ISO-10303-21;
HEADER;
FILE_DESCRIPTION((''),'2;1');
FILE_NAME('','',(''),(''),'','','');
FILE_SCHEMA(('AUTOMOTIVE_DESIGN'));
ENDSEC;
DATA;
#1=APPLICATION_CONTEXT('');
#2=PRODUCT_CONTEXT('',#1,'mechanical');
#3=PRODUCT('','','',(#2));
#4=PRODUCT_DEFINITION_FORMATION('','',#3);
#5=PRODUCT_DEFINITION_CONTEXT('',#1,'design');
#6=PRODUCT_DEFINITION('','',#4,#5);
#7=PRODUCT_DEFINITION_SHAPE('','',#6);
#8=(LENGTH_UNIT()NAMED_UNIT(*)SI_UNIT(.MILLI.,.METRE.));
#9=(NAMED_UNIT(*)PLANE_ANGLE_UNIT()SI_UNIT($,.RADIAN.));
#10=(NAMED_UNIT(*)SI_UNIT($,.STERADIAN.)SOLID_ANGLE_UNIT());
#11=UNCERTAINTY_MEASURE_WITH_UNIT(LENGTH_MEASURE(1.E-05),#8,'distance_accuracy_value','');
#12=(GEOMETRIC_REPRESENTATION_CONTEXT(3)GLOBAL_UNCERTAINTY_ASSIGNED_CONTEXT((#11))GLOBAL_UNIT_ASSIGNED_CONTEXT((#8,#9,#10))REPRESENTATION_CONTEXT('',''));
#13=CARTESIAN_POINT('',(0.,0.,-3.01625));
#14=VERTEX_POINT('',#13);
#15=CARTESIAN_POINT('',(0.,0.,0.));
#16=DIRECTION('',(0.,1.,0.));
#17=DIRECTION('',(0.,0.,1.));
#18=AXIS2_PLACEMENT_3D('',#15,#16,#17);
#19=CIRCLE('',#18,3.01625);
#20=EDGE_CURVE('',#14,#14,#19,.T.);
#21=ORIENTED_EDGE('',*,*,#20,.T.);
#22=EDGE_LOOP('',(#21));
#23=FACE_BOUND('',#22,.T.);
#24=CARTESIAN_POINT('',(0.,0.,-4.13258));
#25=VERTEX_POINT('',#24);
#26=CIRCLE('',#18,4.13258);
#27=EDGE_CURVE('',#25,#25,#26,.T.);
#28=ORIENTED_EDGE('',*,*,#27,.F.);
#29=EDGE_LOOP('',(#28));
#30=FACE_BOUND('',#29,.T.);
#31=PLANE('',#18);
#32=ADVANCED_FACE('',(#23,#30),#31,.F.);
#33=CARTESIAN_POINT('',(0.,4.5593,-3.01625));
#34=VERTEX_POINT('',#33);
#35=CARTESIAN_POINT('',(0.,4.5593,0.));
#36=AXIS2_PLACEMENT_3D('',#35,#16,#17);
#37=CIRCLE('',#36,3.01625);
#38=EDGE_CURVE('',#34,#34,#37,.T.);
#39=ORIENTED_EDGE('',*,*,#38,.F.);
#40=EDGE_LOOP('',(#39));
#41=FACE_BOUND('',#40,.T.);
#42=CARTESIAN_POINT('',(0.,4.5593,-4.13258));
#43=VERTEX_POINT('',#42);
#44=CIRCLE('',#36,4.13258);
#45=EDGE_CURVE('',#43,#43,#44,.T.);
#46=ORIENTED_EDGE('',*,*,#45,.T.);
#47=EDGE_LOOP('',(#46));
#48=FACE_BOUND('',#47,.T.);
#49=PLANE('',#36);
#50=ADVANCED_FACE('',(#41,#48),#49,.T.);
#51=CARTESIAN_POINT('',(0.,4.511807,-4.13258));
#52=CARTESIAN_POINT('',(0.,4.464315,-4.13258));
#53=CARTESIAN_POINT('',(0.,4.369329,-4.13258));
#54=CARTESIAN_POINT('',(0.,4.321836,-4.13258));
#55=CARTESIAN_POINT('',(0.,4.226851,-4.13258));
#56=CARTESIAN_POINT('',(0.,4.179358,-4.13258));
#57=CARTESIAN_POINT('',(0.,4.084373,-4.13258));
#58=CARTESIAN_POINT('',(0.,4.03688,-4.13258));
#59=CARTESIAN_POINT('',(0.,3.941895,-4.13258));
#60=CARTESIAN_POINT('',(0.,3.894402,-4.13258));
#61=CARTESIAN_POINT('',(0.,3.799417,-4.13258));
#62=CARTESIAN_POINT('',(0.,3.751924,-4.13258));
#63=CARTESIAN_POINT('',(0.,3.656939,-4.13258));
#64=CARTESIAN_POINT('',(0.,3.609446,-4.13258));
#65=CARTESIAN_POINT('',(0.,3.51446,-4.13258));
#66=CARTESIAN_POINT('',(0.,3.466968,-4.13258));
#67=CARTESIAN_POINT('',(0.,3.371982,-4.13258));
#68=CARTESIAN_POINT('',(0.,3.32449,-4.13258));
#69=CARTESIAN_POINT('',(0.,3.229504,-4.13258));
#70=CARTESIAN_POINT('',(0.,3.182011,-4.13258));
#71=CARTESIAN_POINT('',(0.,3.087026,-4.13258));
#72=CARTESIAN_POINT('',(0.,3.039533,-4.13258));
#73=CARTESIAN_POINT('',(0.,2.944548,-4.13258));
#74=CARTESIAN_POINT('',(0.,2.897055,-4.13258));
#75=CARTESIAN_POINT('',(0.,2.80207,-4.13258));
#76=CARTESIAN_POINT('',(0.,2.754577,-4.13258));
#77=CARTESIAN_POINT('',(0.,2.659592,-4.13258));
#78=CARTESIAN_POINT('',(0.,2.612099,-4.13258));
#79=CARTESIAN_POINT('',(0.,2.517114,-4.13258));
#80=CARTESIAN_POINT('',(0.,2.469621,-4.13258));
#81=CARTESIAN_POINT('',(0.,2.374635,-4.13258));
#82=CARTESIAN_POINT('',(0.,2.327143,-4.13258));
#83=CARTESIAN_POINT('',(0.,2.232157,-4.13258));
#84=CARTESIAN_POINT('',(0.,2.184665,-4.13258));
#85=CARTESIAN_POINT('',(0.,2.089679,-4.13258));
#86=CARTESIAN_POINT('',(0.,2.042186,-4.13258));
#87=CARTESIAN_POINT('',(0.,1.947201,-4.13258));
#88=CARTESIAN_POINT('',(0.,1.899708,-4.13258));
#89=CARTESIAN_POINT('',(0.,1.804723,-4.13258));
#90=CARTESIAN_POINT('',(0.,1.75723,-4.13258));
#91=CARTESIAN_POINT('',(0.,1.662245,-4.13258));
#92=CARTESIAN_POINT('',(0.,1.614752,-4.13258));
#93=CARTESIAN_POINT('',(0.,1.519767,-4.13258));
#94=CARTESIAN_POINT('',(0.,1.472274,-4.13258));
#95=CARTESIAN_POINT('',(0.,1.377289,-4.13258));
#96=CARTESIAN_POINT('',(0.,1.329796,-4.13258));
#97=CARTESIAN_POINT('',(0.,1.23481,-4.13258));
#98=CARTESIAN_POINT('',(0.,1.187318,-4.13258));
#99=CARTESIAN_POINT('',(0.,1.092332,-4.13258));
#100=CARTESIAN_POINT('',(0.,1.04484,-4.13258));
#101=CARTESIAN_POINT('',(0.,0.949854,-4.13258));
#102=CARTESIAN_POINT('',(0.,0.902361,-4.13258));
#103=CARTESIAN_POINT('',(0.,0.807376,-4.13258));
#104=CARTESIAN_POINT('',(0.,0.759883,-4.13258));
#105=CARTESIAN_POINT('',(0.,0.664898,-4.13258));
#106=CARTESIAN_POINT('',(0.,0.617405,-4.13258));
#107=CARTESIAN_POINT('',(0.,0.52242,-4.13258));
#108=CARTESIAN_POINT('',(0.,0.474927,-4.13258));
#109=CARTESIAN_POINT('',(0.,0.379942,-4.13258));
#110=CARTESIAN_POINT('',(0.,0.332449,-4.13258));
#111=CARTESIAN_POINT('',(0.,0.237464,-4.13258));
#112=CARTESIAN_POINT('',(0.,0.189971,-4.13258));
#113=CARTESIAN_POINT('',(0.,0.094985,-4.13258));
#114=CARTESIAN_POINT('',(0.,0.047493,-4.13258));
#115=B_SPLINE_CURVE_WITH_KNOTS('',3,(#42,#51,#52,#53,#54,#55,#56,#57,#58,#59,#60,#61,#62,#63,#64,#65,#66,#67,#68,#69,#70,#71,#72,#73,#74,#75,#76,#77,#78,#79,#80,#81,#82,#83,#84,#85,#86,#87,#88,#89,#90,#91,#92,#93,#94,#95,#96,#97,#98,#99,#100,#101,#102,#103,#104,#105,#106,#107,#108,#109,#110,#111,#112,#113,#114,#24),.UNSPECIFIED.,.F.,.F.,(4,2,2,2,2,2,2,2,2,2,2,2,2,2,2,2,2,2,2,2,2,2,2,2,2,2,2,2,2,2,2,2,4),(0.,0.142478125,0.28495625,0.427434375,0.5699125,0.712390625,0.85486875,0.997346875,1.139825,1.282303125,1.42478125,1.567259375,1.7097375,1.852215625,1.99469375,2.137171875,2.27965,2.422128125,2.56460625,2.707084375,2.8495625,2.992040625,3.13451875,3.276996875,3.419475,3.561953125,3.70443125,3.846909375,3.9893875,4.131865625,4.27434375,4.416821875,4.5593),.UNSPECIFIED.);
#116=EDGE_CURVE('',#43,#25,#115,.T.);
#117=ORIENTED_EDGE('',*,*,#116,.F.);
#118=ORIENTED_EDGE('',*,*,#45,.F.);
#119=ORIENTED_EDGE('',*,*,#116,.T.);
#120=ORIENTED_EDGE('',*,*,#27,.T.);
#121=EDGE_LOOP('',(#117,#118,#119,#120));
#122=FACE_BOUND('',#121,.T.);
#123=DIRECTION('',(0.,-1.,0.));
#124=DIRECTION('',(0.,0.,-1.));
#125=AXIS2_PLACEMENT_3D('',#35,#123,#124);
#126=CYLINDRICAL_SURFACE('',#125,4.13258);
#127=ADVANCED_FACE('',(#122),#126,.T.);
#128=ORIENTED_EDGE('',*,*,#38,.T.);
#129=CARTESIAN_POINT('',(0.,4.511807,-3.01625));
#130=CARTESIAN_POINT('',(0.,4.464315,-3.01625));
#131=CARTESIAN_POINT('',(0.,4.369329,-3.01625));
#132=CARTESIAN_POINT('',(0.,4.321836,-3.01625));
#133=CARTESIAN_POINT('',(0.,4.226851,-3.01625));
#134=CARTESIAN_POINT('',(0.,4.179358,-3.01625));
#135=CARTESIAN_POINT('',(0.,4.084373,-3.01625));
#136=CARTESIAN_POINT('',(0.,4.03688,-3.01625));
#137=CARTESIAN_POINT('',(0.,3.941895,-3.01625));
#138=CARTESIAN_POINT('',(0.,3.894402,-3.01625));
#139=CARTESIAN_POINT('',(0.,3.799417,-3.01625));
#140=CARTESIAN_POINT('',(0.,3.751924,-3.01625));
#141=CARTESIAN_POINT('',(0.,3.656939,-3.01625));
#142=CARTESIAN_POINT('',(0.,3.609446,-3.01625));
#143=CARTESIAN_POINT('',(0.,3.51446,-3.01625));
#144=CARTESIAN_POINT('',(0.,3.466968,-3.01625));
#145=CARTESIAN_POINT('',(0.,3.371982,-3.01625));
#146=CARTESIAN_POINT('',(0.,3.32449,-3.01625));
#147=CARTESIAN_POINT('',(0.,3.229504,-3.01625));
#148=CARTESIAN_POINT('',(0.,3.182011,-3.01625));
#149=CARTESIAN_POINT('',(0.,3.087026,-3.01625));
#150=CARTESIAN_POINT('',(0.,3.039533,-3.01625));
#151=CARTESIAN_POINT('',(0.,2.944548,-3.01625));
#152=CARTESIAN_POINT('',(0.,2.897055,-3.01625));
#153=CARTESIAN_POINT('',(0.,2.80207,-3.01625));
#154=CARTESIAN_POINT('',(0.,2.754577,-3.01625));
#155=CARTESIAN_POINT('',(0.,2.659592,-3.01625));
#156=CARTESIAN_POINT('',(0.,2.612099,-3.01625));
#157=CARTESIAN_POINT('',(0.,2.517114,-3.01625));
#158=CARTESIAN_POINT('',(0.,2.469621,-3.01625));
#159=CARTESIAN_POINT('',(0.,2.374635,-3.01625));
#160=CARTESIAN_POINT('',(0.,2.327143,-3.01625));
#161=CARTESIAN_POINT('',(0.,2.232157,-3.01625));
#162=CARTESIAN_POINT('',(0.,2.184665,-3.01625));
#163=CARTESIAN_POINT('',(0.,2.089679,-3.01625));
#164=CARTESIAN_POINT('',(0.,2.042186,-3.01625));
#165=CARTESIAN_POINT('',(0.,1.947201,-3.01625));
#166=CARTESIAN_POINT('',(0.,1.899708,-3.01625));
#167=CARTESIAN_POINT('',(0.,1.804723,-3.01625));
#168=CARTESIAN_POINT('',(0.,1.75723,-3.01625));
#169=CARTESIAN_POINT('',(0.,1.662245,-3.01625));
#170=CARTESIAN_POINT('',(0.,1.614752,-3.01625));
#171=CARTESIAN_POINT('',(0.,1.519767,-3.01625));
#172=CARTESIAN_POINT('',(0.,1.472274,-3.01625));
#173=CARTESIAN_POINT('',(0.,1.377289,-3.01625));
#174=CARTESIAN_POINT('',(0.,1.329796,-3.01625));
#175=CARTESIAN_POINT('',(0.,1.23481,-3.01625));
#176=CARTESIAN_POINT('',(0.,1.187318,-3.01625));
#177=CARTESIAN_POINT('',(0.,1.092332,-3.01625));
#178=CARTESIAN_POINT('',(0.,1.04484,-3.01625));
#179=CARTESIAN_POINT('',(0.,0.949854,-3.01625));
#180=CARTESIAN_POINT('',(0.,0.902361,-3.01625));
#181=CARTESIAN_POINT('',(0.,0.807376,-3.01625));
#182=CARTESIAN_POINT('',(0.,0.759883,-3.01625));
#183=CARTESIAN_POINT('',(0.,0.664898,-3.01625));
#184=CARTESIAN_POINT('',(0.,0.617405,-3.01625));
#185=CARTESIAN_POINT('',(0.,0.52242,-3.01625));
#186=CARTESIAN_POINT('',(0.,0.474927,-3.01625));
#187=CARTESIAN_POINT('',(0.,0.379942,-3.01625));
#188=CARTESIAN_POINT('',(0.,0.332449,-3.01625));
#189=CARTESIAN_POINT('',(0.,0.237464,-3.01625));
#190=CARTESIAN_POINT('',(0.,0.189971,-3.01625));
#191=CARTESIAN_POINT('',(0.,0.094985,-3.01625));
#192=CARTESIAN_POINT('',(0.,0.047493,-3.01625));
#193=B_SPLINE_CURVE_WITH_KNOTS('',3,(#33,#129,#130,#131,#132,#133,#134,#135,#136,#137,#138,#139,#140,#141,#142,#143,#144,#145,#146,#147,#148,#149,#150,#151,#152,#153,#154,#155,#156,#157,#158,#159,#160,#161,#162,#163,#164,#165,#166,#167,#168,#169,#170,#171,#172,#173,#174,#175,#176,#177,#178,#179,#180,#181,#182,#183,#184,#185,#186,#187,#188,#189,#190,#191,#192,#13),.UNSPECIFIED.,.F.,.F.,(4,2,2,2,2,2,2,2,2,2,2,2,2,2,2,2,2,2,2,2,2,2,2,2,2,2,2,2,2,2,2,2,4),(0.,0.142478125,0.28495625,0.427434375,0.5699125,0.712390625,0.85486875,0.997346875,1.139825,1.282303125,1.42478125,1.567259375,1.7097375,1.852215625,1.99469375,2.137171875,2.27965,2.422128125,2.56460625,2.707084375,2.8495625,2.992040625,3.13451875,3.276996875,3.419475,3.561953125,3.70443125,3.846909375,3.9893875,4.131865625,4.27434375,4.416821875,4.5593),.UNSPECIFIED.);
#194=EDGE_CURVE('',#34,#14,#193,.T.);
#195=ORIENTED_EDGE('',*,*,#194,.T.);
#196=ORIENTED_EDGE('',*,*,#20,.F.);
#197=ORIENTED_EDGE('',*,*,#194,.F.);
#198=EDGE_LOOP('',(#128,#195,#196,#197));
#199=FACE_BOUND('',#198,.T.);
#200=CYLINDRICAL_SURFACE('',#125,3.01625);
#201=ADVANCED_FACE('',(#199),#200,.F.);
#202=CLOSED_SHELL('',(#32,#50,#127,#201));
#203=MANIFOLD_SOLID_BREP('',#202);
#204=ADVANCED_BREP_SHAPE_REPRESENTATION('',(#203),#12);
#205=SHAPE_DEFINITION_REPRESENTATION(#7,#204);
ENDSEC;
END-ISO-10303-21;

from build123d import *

# Parameters (mm, degrees)
SKETCH1_R           = 4.13258
SKETCH1_R_2         = 3.01625
BOSS_EXTRUDE1_DEPTH = 4.5593


with BuildPart() as part:
    # Sketch1 → Boss-Extrude1 (new body)
    with BuildSketch(Plane(origin=(0, 0, 0), x_dir=(1, 0, 0), z_dir=(0, 1, 0))):
        with Locations(Location((0, 0, 0), (0, 0, 90))):
            Circle(SKETCH1_R)
        with Locations(Location((0, 0, 0), (0, 0, 90))):
            Circle(SKETCH1_R_2, mode=Mode.SUBTRACT)
    extrude(amount=BOSS_EXTRUDE1_DEPTH)


solid = part.part
